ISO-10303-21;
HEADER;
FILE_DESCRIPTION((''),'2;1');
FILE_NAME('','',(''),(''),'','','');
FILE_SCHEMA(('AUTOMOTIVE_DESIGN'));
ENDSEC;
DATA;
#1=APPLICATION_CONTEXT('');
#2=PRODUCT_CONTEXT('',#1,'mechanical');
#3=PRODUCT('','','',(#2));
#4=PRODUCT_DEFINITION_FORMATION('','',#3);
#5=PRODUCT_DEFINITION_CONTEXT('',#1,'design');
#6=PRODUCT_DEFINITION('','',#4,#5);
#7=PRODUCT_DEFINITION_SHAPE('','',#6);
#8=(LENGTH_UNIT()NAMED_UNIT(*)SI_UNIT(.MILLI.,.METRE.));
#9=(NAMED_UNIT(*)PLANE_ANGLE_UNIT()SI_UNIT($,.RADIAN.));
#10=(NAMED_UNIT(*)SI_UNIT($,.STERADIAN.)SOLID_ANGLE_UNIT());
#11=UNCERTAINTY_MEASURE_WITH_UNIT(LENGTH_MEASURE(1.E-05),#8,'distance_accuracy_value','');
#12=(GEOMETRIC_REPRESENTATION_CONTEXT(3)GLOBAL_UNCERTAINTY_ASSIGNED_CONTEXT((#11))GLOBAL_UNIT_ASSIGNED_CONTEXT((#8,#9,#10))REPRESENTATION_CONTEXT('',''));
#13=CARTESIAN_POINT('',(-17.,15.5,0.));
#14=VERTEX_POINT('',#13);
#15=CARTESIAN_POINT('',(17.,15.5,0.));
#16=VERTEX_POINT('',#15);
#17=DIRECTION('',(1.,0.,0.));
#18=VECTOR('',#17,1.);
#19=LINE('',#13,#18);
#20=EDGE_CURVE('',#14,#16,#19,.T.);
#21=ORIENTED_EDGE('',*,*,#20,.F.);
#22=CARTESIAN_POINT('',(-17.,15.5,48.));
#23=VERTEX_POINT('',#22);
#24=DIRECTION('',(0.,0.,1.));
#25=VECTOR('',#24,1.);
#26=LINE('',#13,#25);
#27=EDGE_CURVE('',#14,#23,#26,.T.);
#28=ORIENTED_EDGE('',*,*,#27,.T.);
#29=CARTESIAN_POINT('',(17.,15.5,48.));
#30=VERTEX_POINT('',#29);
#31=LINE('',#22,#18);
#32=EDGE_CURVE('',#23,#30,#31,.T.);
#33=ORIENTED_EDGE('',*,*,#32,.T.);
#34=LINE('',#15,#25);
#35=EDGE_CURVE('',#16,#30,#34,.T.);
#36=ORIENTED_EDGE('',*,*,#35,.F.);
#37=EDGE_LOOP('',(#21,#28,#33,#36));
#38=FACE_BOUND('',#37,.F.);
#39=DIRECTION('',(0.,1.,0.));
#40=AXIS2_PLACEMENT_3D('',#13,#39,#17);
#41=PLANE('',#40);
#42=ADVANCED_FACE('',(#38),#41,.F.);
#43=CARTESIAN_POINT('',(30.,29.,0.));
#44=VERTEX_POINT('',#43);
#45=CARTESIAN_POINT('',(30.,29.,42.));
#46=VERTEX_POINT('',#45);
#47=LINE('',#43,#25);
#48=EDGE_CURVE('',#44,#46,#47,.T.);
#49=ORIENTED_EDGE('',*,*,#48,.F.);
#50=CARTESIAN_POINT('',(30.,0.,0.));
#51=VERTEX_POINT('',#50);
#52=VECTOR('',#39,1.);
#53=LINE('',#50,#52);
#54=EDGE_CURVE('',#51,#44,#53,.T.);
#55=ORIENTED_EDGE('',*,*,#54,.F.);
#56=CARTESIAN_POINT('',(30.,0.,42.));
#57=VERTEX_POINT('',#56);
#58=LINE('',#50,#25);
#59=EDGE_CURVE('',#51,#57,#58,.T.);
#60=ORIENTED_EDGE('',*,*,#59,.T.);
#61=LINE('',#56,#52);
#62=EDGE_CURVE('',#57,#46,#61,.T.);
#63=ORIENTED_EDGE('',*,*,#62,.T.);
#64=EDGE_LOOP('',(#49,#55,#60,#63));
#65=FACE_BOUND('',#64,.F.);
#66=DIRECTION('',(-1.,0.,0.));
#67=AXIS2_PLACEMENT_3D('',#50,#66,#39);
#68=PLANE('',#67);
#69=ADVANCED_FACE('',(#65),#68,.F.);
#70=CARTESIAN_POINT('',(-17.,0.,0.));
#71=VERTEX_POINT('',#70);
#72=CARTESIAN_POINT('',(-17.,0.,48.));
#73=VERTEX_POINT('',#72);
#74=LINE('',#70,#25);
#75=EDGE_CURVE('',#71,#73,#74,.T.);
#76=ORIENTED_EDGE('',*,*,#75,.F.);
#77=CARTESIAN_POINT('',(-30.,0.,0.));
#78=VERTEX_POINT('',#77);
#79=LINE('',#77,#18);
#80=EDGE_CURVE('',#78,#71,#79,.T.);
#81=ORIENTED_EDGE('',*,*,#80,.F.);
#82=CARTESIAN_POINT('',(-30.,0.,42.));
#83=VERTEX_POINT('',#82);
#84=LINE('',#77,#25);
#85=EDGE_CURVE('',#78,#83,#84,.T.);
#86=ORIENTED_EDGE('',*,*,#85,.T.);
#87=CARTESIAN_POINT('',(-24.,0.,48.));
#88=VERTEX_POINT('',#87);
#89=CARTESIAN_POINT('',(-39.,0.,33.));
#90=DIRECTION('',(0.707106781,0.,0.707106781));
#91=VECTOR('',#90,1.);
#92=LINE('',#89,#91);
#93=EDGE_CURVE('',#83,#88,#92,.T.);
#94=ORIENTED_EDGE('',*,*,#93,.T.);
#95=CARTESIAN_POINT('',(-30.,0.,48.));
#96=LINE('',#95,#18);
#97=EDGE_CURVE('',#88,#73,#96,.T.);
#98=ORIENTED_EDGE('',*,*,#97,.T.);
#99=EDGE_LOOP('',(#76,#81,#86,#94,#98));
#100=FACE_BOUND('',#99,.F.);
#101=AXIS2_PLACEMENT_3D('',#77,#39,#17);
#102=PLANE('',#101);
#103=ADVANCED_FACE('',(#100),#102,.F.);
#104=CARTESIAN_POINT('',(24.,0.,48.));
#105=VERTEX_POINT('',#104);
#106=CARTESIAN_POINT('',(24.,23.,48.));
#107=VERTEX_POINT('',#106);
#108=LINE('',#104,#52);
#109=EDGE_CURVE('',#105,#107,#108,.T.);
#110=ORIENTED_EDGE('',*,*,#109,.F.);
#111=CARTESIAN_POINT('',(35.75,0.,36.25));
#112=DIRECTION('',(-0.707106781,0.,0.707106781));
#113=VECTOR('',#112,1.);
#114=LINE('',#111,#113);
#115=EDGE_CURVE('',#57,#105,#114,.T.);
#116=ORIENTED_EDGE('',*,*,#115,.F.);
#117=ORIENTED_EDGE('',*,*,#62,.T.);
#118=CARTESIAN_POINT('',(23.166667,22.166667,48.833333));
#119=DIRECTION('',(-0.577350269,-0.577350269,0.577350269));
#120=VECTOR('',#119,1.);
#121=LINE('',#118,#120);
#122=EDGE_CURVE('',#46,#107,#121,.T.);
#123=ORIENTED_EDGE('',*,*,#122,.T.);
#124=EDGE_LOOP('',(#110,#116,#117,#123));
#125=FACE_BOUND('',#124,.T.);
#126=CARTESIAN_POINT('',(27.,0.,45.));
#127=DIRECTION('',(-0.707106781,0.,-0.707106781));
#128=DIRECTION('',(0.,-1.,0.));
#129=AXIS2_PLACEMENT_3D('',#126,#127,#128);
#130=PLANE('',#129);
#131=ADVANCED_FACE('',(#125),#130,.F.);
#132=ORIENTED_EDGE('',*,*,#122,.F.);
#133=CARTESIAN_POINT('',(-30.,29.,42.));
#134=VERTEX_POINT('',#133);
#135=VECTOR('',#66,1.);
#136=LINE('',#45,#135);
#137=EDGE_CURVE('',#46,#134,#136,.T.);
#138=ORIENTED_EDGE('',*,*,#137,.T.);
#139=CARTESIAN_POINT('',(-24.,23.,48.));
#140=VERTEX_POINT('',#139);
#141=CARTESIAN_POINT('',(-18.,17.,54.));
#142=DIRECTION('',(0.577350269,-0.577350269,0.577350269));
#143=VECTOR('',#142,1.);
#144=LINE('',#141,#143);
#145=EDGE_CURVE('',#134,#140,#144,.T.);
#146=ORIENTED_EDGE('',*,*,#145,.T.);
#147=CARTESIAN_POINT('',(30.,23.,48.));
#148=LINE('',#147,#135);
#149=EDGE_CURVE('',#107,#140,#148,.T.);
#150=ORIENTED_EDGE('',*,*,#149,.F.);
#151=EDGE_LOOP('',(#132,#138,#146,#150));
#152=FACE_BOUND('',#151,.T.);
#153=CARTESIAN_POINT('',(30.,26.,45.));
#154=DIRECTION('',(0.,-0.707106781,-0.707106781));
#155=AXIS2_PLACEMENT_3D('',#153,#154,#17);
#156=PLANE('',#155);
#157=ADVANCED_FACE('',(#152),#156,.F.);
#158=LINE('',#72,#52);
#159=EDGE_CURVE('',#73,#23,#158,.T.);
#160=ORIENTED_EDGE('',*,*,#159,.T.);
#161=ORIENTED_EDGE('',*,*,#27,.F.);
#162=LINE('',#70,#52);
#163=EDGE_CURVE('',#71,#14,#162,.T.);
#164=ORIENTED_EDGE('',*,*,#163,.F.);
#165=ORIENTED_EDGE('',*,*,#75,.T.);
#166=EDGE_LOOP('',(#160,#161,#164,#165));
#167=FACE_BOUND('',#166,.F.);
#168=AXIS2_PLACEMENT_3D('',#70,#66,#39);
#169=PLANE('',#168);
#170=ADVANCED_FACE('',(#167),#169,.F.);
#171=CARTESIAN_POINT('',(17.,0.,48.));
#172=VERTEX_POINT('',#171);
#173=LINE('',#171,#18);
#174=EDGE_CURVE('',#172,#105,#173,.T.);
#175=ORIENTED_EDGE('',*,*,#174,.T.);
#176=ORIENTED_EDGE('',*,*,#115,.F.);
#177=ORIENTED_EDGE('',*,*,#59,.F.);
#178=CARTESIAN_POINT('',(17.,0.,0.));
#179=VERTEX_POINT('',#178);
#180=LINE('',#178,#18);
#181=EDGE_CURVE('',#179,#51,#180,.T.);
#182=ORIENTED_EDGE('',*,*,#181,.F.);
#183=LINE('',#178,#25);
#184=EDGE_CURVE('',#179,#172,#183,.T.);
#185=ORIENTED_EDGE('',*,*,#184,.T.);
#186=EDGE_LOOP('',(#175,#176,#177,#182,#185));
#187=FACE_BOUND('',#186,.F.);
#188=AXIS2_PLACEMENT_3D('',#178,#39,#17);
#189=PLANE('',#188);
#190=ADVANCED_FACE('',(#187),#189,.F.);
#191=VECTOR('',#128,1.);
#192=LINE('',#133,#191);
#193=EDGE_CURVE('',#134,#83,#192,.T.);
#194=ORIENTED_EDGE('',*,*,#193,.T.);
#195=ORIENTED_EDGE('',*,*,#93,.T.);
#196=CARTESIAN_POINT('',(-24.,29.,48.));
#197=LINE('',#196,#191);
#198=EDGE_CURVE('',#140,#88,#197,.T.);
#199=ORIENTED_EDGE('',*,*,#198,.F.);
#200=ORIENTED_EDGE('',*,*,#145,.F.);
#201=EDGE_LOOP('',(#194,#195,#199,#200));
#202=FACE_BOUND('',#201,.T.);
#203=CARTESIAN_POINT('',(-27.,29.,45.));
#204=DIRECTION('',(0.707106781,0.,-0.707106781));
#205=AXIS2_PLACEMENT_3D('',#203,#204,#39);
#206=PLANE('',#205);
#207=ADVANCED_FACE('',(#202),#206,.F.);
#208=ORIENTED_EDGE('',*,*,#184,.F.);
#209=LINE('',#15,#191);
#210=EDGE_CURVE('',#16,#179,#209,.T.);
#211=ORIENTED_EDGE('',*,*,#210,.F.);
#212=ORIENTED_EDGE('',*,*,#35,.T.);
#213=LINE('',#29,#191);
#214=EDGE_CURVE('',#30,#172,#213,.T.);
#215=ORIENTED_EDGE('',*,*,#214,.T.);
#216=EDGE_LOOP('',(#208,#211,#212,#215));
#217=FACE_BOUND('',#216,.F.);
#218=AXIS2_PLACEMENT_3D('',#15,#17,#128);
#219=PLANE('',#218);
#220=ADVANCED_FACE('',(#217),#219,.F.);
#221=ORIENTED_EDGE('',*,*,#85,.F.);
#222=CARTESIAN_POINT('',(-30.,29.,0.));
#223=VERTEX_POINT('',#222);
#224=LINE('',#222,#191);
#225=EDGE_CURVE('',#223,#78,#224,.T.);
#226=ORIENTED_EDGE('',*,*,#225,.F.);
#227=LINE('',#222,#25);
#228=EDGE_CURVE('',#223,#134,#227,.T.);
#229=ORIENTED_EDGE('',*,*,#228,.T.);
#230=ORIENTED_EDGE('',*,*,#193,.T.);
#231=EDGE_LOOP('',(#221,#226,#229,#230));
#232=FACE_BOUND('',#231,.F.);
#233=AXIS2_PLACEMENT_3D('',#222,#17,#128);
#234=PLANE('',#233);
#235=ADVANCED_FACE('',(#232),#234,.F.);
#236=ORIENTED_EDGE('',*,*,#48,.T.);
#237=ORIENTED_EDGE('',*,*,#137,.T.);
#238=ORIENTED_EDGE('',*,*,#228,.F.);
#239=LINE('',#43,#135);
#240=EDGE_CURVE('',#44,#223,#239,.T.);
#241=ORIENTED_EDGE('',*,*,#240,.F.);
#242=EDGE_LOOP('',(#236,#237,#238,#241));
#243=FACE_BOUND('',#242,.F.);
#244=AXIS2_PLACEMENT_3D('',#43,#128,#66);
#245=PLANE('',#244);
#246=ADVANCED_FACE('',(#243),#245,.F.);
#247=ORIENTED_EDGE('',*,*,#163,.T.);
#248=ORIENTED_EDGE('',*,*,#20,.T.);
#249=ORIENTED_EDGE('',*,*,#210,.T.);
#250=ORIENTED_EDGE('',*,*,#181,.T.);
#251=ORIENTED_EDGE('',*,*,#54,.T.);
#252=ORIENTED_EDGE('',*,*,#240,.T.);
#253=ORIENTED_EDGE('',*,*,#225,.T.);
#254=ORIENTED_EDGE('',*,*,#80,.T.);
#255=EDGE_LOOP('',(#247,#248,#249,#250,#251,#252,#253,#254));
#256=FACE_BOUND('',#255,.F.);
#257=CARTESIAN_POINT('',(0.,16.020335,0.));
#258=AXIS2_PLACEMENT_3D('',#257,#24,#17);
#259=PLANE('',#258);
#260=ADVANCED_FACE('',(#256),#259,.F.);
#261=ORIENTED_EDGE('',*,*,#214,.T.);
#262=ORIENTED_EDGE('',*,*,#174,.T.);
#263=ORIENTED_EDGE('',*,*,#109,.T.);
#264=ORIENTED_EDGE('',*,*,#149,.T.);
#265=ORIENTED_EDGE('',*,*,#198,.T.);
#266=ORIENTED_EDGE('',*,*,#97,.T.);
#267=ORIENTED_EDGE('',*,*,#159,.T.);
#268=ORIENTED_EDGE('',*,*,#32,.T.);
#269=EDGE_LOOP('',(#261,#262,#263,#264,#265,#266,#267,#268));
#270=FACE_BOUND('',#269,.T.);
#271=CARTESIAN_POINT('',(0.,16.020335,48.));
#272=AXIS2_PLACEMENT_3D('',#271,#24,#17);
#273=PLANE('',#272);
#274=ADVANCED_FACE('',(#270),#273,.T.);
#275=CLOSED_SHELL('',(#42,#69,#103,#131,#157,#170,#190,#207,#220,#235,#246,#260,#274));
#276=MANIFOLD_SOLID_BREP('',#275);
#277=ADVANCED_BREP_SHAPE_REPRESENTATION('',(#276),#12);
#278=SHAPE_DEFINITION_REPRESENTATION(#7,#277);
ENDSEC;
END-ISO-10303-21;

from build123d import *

# Parameters (mm, degrees)
F1_DEPTH = 48
F2_SIZE  = 6


with BuildPart() as f1:
    # F0 (on Top) → F1 (new body)
    with BuildSketch(Plane.XY):
        Polygon((30, 29), (0, 29), (-30, 29), (-30, 0), (-17, 0), (-17, 15.5), (0, 15.5), (17, 15.5), (17, 0), (30, 0), align=None)
    extrude(amount=F1_DEPTH)

    # F2
    f2_edges = [f1.edges().sort_by_distance(p)[0] for p in [
        (0, 29, 48),
        (-30, 14.5, 48),
        (30, 14.5, 48),
    ]]
    chamfer(f2_edges, length=F2_SIZE)


solid = f1.part
